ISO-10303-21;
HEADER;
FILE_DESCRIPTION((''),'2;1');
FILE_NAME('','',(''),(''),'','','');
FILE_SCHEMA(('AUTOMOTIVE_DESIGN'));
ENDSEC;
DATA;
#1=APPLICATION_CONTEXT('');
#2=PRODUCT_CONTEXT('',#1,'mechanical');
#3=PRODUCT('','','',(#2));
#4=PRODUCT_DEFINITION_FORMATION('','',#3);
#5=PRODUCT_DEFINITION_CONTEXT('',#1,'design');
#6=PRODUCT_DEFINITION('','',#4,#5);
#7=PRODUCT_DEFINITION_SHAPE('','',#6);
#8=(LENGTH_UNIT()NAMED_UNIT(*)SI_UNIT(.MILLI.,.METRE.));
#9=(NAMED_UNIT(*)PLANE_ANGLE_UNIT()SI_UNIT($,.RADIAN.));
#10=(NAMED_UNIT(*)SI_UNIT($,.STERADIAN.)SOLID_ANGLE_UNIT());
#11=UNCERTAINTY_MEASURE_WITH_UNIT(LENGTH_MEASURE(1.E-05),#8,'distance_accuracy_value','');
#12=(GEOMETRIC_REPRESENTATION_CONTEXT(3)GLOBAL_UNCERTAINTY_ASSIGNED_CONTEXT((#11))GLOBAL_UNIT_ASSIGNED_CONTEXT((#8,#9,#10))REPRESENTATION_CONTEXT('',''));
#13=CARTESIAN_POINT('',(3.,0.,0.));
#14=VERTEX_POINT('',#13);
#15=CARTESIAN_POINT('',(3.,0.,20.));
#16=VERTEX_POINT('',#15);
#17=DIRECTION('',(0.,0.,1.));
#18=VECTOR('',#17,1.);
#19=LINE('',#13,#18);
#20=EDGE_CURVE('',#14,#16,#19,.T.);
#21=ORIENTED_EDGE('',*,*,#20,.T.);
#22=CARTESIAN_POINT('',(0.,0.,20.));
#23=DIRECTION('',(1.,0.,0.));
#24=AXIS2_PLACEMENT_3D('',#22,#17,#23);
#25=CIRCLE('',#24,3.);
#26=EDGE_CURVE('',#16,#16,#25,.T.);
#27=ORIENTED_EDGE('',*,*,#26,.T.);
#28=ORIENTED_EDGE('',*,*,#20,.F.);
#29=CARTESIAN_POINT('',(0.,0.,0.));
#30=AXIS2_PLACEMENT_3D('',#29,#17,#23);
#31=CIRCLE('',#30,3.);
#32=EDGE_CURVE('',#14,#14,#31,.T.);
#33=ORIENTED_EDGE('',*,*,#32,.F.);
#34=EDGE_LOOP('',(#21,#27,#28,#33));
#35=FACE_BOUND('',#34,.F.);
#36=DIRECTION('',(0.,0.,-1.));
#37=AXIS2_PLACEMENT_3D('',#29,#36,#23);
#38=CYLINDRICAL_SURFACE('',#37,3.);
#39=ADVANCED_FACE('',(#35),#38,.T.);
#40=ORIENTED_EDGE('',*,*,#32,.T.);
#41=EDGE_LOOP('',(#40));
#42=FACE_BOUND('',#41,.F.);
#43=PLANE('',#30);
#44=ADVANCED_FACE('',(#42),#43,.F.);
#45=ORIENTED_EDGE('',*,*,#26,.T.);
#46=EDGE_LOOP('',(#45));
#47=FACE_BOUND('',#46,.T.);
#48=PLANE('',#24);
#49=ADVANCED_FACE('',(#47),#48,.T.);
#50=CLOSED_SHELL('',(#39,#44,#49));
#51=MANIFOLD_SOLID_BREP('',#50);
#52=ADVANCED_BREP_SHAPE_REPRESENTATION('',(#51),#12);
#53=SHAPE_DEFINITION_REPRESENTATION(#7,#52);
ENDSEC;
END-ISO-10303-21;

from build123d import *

# Parameters (mm, degrees)
ESQUISSE1_R        = 3
BOSS_EXTRU_1_DEPTH = 20


with BuildPart() as part:
    # Esquisse1 → Boss.-Extru.1 (new body)
    with BuildSketch(Plane.XY):
        Circle(ESQUISSE1_R)
    extrude(amount=BOSS_EXTRU_1_DEPTH)


solid = part.part
